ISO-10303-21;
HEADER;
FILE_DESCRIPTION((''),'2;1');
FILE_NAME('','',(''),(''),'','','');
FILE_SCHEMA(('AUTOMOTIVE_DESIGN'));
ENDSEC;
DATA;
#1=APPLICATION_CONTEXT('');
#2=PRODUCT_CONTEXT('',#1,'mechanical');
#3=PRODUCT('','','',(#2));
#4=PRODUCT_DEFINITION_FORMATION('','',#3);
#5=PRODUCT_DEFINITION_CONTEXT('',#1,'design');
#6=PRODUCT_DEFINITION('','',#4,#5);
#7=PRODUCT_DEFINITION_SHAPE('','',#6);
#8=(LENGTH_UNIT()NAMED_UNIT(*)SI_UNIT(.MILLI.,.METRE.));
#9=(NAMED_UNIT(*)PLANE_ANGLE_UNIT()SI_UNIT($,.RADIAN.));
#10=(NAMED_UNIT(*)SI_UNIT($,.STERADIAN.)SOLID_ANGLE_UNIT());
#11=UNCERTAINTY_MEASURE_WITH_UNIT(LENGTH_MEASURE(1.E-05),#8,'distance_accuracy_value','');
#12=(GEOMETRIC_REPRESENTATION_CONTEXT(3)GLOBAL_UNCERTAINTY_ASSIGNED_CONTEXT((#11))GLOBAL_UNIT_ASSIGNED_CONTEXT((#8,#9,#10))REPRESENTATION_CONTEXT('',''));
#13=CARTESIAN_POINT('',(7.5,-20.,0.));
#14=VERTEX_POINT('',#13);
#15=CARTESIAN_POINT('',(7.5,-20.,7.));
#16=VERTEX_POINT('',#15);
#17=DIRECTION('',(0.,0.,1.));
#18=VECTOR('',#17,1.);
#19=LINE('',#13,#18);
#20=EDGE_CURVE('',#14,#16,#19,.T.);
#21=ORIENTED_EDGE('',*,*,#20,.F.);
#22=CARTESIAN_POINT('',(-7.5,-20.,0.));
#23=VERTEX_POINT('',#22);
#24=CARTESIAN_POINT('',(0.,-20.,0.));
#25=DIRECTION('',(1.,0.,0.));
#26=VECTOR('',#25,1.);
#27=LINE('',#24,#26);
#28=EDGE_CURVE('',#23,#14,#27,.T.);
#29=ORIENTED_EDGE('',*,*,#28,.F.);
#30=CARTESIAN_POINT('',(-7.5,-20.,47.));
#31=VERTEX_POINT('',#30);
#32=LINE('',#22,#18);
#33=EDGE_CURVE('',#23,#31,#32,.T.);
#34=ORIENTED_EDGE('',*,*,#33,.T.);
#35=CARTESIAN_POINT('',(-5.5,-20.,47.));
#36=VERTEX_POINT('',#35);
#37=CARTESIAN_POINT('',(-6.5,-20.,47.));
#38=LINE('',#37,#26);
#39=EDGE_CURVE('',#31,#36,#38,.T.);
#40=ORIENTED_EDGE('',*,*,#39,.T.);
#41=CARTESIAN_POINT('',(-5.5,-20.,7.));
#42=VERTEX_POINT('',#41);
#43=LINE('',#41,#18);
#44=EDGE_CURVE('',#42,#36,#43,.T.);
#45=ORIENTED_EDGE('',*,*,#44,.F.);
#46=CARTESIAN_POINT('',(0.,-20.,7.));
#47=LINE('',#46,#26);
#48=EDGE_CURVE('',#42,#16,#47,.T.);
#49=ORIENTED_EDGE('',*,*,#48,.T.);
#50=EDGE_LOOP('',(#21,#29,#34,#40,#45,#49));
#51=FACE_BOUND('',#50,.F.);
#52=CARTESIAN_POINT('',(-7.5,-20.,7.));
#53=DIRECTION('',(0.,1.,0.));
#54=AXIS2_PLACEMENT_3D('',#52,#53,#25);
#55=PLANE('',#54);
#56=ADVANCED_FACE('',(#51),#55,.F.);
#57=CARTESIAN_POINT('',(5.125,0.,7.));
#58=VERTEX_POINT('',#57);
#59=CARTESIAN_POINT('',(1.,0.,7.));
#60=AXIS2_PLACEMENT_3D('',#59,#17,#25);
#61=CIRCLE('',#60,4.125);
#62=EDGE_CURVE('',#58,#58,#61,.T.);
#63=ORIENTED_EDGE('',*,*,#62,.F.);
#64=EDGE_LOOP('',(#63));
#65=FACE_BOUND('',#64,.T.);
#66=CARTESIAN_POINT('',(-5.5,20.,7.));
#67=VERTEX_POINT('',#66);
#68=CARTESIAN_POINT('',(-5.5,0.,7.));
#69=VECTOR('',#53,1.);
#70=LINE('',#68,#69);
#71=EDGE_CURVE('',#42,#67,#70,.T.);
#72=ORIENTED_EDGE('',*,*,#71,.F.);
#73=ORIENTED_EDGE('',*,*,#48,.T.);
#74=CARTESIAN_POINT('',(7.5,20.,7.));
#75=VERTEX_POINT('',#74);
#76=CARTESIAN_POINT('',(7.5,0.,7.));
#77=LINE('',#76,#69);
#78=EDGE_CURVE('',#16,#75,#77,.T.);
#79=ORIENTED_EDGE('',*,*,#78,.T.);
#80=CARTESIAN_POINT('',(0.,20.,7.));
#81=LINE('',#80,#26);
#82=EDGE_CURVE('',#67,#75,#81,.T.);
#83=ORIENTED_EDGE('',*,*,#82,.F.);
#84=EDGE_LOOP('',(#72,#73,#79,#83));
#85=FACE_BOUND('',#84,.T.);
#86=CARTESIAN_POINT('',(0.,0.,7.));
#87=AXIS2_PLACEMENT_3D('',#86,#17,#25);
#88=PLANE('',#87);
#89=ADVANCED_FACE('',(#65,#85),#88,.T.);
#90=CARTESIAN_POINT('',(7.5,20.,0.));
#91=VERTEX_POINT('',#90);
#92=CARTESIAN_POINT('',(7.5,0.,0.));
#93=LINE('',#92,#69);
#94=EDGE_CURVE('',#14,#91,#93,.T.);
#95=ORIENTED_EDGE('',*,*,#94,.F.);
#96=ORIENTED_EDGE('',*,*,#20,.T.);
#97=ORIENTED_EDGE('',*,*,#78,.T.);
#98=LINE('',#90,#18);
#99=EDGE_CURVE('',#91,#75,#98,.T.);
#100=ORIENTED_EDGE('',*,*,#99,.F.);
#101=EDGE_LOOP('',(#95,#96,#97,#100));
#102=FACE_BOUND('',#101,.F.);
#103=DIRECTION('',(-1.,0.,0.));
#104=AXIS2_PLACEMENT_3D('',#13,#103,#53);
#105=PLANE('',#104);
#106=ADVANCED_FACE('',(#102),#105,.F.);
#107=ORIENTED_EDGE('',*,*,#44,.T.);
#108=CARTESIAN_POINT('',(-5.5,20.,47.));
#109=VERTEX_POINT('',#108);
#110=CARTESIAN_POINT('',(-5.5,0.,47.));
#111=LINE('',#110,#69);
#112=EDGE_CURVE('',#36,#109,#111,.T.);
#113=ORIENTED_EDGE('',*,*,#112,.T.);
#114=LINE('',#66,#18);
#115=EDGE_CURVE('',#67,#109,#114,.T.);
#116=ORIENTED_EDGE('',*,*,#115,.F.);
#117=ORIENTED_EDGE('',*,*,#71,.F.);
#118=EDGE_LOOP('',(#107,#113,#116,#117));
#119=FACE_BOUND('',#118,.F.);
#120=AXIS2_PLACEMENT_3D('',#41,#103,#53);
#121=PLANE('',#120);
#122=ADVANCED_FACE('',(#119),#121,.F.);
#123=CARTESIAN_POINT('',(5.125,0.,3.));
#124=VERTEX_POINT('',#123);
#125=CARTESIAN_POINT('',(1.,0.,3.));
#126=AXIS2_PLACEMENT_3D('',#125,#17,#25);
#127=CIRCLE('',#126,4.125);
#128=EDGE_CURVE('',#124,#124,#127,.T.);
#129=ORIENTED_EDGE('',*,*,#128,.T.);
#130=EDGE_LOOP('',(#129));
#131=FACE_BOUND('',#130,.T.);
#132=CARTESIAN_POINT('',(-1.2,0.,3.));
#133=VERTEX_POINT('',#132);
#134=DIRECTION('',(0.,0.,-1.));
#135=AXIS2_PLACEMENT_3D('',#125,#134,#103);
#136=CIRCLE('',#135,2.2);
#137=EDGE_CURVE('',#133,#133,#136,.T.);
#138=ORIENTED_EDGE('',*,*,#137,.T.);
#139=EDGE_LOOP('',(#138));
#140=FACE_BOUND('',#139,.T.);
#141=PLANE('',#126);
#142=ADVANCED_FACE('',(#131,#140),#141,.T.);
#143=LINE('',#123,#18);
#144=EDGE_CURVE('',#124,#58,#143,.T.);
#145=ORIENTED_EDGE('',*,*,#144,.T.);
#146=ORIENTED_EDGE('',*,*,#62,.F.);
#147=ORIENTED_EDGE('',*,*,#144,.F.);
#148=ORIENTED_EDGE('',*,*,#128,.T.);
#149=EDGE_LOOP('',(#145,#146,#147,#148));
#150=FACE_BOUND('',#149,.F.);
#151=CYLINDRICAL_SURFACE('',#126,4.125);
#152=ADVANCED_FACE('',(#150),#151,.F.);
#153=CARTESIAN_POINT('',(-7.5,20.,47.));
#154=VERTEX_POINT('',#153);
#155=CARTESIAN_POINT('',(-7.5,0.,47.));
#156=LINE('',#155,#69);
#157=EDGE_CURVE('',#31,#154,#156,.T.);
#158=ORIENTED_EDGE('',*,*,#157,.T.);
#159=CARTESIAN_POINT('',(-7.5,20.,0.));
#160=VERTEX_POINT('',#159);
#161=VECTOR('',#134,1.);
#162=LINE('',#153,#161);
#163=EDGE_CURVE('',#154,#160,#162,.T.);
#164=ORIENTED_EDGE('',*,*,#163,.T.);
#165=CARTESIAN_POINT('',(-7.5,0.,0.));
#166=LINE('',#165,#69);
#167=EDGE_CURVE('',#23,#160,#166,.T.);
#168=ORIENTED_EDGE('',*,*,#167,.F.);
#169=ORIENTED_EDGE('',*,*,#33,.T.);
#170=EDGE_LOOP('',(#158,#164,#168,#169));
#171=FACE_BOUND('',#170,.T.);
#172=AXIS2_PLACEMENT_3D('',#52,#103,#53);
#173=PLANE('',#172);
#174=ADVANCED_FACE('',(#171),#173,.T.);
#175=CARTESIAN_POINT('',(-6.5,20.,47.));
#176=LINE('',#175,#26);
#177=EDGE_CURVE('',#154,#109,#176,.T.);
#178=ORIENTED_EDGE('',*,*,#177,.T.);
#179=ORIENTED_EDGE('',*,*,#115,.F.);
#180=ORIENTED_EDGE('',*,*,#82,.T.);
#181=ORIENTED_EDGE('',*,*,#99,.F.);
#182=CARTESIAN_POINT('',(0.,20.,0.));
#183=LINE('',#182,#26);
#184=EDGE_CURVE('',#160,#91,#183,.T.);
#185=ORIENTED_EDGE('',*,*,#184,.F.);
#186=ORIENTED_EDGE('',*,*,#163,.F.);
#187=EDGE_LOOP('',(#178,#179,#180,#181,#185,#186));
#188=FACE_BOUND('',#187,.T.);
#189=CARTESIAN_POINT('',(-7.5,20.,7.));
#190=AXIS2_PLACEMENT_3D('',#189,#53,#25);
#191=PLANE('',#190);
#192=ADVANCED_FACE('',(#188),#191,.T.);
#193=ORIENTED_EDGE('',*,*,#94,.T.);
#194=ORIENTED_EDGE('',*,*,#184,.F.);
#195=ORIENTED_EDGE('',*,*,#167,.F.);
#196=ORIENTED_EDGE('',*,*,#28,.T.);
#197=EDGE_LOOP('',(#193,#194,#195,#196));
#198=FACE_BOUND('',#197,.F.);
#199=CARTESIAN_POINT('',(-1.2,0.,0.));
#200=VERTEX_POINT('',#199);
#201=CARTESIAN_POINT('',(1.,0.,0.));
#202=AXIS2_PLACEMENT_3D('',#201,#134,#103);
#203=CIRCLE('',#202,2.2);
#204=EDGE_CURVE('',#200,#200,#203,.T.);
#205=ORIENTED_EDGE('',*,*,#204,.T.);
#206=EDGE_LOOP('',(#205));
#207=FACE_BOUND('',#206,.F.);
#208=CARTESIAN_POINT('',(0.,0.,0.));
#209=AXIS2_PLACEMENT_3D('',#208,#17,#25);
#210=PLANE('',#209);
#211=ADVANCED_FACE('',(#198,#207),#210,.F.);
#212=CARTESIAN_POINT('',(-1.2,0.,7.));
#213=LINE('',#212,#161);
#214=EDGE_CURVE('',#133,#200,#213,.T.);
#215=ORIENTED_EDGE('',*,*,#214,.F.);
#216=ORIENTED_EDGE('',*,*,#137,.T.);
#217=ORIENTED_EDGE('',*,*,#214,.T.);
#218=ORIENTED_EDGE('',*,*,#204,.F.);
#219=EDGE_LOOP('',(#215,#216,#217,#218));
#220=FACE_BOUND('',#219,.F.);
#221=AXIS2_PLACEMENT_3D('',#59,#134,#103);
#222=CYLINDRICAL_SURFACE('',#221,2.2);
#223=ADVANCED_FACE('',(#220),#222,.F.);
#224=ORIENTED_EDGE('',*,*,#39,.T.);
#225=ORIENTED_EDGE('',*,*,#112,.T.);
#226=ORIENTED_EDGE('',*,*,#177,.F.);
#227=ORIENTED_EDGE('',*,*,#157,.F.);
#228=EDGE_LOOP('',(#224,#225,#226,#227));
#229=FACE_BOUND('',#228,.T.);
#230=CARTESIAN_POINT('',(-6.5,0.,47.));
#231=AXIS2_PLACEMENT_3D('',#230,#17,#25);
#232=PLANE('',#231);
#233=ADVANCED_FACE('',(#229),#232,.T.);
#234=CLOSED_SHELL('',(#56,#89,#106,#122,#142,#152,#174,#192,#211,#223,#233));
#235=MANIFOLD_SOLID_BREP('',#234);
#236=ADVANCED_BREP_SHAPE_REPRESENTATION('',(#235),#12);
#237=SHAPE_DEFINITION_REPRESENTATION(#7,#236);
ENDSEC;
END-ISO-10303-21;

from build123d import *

# Parameters (mm, degrees)
F0_W           = 15
F0_H           = 40
F1_DEPTH       = 7
F2_W           = 2
F2_H           = 40
F3_DEPTH       = 40
F5_D           = 4.4
F5_CBORE_D     = 8.25
F5_CBORE_DEPTH = 4


with BuildPart() as f1:
    # F0 (on Top) → F1 (new body)
    with BuildSketch(Plane.XY):
        Rectangle(F0_W, F0_H)
    extrude(amount=F1_DEPTH)

    # F2 (on face) → F3 (join)
    with BuildSketch(Plane.XY.offset(7)):
        with Locations((-6.5, 0)):
            Rectangle(F2_W, F2_H)
    extrude(amount=F3_DEPTH)

    # F5 (through all)
    with Locations(Plane.XY.offset(7)):
        with Locations((1, 0)):
            CounterBoreHole(F5_D / 2, F5_CBORE_D / 2, F5_CBORE_DEPTH)


solid = f1.part
